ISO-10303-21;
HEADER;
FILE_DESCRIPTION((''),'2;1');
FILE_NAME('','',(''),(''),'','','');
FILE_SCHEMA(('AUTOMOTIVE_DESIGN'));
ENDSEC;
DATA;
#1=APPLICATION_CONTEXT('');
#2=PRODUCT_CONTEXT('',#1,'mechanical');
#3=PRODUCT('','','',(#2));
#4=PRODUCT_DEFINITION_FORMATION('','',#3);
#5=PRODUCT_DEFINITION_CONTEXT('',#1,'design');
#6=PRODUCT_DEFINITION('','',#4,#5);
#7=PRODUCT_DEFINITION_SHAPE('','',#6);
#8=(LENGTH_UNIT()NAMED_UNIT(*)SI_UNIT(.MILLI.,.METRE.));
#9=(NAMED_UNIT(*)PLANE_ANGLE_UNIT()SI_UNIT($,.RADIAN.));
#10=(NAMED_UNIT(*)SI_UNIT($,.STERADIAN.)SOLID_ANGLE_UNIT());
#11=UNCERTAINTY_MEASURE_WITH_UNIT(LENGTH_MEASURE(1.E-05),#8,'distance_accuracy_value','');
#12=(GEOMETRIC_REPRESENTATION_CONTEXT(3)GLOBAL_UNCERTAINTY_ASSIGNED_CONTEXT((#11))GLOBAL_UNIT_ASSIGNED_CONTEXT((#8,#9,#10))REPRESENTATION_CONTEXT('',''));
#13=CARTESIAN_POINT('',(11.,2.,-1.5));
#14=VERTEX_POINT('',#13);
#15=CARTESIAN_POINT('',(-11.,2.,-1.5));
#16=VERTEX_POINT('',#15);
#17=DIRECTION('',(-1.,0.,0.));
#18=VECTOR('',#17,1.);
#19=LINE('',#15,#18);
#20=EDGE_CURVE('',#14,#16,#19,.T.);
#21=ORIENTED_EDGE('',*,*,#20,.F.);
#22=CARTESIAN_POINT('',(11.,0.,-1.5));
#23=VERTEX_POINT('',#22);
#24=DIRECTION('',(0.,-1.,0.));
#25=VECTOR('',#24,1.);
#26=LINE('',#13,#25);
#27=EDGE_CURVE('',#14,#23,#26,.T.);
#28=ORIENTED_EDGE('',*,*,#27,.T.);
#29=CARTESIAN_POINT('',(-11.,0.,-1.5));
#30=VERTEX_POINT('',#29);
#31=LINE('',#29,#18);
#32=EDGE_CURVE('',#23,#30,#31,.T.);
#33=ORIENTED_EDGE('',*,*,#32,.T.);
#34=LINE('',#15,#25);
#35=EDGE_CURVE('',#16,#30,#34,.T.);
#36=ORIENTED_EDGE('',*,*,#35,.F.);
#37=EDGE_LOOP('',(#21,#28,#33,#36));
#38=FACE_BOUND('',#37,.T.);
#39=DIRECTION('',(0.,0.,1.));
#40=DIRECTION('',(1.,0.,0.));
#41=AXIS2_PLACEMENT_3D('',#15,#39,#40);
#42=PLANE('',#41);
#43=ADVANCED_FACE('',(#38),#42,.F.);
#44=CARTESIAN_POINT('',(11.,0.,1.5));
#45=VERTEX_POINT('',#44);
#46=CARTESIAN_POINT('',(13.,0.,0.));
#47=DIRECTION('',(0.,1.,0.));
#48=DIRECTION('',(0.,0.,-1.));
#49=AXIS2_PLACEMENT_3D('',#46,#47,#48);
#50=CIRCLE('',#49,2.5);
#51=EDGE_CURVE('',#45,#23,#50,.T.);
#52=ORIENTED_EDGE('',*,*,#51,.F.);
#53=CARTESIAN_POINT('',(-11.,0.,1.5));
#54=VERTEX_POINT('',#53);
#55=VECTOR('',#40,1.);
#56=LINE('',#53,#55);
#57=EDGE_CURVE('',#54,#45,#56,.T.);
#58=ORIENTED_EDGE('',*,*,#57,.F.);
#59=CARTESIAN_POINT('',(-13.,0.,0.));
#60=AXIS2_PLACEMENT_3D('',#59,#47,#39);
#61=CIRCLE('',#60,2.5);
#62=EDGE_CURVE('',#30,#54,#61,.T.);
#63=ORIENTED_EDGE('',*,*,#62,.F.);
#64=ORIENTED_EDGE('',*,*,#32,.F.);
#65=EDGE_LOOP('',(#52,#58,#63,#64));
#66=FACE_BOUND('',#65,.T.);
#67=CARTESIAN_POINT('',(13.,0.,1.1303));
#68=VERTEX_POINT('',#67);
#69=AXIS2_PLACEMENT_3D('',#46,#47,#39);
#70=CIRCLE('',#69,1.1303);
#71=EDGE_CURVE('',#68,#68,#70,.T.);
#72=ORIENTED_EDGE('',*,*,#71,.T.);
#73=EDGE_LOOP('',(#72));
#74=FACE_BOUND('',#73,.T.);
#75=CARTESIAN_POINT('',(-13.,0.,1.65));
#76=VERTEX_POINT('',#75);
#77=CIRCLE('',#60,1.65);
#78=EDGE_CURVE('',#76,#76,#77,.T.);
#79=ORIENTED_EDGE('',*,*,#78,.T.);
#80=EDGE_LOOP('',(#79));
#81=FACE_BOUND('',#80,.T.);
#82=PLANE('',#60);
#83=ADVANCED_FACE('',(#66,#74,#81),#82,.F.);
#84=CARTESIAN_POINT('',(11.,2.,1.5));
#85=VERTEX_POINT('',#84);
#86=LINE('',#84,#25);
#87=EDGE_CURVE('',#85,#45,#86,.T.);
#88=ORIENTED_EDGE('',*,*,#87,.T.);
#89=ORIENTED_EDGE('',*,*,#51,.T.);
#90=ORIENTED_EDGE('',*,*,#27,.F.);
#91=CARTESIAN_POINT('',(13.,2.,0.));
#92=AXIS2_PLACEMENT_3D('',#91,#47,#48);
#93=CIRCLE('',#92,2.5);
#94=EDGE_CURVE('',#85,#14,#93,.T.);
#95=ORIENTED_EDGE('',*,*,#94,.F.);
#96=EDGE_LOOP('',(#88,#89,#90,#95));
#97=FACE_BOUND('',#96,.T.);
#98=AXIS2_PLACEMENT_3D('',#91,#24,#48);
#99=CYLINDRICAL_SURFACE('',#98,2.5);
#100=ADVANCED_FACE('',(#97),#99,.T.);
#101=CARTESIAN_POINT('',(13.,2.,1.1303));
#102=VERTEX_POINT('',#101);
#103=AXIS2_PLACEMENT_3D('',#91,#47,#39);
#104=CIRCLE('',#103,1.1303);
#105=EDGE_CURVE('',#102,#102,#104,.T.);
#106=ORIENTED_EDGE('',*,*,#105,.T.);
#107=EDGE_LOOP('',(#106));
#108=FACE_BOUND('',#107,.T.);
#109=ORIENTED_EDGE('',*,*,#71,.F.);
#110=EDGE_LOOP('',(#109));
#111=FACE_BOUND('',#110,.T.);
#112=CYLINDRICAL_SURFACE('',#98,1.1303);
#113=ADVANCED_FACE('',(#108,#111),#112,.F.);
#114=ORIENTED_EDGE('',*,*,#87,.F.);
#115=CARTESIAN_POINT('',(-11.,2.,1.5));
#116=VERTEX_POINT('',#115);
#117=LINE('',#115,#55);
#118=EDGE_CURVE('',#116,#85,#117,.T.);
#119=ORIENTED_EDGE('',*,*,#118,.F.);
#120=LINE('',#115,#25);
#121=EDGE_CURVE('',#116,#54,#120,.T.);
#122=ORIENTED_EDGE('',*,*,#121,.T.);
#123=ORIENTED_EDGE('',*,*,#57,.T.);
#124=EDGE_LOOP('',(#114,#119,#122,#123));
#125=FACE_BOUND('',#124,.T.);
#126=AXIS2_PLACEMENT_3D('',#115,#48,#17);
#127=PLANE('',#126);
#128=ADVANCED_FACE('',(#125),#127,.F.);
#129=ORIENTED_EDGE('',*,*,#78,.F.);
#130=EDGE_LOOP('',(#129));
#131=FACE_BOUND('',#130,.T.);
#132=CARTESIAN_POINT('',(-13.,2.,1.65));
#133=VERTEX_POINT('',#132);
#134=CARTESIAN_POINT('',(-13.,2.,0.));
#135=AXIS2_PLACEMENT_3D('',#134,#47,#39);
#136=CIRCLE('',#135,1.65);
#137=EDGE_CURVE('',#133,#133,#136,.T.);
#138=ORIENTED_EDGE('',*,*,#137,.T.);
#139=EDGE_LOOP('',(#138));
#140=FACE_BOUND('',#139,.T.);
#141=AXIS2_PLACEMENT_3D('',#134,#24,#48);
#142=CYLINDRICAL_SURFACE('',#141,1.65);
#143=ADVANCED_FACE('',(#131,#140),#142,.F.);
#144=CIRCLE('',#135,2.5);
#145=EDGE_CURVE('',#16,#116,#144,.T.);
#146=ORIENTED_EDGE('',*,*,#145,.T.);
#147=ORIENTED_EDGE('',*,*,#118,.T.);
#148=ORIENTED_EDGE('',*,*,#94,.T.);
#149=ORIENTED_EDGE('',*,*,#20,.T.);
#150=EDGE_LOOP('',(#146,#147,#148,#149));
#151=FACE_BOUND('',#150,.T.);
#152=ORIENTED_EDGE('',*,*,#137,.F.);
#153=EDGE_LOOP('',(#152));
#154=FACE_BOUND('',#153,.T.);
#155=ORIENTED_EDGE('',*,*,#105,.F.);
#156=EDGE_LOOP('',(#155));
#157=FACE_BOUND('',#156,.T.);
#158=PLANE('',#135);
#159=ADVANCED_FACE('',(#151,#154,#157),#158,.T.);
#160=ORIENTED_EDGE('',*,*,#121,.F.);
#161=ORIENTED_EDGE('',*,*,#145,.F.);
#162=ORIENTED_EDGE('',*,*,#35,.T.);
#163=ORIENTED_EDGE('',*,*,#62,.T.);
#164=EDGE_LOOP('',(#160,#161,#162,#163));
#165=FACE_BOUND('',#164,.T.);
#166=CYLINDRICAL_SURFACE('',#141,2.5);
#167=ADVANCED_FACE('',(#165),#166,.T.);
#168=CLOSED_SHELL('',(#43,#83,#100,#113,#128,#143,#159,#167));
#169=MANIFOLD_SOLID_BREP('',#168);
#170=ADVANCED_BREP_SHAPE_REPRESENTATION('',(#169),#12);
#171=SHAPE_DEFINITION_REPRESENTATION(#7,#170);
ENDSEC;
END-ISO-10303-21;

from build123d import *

# Parameters (mm, degrees)
SKETCH1_R           = 1.65
SKETCH1_R_2         = 1.1303
BOSS_EXTRUDE1_DEPTH = 2


with BuildPart() as part:
    # Sketch1 → Boss-Extrude1 (new body)
    with BuildSketch(Plane(origin=(0, 0, 0), x_dir=(1, 0, 0), z_dir=(0, 1, 0))):
        with BuildLine():
            Line((-11, 1.5), (11, 1.5))
            ThreePointArc((11, 1.5), (15.5, 0), (11, -1.5))
            Line((11, -1.5), (-11, -1.5))
            ThreePointArc((-11, -1.5), (-15.5, 0), (-11, 1.5))
        make_face()
        with Locations(Location((-13, 0, 0), (0, 0, 270))):
            Circle(SKETCH1_R, mode=Mode.SUBTRACT)
        with Locations(Location((13, 0, 0), (0, 0, 270))):
            Circle(SKETCH1_R_2, mode=Mode.SUBTRACT)
    extrude(amount=BOSS_EXTRUDE1_DEPTH)


solid = part.part
